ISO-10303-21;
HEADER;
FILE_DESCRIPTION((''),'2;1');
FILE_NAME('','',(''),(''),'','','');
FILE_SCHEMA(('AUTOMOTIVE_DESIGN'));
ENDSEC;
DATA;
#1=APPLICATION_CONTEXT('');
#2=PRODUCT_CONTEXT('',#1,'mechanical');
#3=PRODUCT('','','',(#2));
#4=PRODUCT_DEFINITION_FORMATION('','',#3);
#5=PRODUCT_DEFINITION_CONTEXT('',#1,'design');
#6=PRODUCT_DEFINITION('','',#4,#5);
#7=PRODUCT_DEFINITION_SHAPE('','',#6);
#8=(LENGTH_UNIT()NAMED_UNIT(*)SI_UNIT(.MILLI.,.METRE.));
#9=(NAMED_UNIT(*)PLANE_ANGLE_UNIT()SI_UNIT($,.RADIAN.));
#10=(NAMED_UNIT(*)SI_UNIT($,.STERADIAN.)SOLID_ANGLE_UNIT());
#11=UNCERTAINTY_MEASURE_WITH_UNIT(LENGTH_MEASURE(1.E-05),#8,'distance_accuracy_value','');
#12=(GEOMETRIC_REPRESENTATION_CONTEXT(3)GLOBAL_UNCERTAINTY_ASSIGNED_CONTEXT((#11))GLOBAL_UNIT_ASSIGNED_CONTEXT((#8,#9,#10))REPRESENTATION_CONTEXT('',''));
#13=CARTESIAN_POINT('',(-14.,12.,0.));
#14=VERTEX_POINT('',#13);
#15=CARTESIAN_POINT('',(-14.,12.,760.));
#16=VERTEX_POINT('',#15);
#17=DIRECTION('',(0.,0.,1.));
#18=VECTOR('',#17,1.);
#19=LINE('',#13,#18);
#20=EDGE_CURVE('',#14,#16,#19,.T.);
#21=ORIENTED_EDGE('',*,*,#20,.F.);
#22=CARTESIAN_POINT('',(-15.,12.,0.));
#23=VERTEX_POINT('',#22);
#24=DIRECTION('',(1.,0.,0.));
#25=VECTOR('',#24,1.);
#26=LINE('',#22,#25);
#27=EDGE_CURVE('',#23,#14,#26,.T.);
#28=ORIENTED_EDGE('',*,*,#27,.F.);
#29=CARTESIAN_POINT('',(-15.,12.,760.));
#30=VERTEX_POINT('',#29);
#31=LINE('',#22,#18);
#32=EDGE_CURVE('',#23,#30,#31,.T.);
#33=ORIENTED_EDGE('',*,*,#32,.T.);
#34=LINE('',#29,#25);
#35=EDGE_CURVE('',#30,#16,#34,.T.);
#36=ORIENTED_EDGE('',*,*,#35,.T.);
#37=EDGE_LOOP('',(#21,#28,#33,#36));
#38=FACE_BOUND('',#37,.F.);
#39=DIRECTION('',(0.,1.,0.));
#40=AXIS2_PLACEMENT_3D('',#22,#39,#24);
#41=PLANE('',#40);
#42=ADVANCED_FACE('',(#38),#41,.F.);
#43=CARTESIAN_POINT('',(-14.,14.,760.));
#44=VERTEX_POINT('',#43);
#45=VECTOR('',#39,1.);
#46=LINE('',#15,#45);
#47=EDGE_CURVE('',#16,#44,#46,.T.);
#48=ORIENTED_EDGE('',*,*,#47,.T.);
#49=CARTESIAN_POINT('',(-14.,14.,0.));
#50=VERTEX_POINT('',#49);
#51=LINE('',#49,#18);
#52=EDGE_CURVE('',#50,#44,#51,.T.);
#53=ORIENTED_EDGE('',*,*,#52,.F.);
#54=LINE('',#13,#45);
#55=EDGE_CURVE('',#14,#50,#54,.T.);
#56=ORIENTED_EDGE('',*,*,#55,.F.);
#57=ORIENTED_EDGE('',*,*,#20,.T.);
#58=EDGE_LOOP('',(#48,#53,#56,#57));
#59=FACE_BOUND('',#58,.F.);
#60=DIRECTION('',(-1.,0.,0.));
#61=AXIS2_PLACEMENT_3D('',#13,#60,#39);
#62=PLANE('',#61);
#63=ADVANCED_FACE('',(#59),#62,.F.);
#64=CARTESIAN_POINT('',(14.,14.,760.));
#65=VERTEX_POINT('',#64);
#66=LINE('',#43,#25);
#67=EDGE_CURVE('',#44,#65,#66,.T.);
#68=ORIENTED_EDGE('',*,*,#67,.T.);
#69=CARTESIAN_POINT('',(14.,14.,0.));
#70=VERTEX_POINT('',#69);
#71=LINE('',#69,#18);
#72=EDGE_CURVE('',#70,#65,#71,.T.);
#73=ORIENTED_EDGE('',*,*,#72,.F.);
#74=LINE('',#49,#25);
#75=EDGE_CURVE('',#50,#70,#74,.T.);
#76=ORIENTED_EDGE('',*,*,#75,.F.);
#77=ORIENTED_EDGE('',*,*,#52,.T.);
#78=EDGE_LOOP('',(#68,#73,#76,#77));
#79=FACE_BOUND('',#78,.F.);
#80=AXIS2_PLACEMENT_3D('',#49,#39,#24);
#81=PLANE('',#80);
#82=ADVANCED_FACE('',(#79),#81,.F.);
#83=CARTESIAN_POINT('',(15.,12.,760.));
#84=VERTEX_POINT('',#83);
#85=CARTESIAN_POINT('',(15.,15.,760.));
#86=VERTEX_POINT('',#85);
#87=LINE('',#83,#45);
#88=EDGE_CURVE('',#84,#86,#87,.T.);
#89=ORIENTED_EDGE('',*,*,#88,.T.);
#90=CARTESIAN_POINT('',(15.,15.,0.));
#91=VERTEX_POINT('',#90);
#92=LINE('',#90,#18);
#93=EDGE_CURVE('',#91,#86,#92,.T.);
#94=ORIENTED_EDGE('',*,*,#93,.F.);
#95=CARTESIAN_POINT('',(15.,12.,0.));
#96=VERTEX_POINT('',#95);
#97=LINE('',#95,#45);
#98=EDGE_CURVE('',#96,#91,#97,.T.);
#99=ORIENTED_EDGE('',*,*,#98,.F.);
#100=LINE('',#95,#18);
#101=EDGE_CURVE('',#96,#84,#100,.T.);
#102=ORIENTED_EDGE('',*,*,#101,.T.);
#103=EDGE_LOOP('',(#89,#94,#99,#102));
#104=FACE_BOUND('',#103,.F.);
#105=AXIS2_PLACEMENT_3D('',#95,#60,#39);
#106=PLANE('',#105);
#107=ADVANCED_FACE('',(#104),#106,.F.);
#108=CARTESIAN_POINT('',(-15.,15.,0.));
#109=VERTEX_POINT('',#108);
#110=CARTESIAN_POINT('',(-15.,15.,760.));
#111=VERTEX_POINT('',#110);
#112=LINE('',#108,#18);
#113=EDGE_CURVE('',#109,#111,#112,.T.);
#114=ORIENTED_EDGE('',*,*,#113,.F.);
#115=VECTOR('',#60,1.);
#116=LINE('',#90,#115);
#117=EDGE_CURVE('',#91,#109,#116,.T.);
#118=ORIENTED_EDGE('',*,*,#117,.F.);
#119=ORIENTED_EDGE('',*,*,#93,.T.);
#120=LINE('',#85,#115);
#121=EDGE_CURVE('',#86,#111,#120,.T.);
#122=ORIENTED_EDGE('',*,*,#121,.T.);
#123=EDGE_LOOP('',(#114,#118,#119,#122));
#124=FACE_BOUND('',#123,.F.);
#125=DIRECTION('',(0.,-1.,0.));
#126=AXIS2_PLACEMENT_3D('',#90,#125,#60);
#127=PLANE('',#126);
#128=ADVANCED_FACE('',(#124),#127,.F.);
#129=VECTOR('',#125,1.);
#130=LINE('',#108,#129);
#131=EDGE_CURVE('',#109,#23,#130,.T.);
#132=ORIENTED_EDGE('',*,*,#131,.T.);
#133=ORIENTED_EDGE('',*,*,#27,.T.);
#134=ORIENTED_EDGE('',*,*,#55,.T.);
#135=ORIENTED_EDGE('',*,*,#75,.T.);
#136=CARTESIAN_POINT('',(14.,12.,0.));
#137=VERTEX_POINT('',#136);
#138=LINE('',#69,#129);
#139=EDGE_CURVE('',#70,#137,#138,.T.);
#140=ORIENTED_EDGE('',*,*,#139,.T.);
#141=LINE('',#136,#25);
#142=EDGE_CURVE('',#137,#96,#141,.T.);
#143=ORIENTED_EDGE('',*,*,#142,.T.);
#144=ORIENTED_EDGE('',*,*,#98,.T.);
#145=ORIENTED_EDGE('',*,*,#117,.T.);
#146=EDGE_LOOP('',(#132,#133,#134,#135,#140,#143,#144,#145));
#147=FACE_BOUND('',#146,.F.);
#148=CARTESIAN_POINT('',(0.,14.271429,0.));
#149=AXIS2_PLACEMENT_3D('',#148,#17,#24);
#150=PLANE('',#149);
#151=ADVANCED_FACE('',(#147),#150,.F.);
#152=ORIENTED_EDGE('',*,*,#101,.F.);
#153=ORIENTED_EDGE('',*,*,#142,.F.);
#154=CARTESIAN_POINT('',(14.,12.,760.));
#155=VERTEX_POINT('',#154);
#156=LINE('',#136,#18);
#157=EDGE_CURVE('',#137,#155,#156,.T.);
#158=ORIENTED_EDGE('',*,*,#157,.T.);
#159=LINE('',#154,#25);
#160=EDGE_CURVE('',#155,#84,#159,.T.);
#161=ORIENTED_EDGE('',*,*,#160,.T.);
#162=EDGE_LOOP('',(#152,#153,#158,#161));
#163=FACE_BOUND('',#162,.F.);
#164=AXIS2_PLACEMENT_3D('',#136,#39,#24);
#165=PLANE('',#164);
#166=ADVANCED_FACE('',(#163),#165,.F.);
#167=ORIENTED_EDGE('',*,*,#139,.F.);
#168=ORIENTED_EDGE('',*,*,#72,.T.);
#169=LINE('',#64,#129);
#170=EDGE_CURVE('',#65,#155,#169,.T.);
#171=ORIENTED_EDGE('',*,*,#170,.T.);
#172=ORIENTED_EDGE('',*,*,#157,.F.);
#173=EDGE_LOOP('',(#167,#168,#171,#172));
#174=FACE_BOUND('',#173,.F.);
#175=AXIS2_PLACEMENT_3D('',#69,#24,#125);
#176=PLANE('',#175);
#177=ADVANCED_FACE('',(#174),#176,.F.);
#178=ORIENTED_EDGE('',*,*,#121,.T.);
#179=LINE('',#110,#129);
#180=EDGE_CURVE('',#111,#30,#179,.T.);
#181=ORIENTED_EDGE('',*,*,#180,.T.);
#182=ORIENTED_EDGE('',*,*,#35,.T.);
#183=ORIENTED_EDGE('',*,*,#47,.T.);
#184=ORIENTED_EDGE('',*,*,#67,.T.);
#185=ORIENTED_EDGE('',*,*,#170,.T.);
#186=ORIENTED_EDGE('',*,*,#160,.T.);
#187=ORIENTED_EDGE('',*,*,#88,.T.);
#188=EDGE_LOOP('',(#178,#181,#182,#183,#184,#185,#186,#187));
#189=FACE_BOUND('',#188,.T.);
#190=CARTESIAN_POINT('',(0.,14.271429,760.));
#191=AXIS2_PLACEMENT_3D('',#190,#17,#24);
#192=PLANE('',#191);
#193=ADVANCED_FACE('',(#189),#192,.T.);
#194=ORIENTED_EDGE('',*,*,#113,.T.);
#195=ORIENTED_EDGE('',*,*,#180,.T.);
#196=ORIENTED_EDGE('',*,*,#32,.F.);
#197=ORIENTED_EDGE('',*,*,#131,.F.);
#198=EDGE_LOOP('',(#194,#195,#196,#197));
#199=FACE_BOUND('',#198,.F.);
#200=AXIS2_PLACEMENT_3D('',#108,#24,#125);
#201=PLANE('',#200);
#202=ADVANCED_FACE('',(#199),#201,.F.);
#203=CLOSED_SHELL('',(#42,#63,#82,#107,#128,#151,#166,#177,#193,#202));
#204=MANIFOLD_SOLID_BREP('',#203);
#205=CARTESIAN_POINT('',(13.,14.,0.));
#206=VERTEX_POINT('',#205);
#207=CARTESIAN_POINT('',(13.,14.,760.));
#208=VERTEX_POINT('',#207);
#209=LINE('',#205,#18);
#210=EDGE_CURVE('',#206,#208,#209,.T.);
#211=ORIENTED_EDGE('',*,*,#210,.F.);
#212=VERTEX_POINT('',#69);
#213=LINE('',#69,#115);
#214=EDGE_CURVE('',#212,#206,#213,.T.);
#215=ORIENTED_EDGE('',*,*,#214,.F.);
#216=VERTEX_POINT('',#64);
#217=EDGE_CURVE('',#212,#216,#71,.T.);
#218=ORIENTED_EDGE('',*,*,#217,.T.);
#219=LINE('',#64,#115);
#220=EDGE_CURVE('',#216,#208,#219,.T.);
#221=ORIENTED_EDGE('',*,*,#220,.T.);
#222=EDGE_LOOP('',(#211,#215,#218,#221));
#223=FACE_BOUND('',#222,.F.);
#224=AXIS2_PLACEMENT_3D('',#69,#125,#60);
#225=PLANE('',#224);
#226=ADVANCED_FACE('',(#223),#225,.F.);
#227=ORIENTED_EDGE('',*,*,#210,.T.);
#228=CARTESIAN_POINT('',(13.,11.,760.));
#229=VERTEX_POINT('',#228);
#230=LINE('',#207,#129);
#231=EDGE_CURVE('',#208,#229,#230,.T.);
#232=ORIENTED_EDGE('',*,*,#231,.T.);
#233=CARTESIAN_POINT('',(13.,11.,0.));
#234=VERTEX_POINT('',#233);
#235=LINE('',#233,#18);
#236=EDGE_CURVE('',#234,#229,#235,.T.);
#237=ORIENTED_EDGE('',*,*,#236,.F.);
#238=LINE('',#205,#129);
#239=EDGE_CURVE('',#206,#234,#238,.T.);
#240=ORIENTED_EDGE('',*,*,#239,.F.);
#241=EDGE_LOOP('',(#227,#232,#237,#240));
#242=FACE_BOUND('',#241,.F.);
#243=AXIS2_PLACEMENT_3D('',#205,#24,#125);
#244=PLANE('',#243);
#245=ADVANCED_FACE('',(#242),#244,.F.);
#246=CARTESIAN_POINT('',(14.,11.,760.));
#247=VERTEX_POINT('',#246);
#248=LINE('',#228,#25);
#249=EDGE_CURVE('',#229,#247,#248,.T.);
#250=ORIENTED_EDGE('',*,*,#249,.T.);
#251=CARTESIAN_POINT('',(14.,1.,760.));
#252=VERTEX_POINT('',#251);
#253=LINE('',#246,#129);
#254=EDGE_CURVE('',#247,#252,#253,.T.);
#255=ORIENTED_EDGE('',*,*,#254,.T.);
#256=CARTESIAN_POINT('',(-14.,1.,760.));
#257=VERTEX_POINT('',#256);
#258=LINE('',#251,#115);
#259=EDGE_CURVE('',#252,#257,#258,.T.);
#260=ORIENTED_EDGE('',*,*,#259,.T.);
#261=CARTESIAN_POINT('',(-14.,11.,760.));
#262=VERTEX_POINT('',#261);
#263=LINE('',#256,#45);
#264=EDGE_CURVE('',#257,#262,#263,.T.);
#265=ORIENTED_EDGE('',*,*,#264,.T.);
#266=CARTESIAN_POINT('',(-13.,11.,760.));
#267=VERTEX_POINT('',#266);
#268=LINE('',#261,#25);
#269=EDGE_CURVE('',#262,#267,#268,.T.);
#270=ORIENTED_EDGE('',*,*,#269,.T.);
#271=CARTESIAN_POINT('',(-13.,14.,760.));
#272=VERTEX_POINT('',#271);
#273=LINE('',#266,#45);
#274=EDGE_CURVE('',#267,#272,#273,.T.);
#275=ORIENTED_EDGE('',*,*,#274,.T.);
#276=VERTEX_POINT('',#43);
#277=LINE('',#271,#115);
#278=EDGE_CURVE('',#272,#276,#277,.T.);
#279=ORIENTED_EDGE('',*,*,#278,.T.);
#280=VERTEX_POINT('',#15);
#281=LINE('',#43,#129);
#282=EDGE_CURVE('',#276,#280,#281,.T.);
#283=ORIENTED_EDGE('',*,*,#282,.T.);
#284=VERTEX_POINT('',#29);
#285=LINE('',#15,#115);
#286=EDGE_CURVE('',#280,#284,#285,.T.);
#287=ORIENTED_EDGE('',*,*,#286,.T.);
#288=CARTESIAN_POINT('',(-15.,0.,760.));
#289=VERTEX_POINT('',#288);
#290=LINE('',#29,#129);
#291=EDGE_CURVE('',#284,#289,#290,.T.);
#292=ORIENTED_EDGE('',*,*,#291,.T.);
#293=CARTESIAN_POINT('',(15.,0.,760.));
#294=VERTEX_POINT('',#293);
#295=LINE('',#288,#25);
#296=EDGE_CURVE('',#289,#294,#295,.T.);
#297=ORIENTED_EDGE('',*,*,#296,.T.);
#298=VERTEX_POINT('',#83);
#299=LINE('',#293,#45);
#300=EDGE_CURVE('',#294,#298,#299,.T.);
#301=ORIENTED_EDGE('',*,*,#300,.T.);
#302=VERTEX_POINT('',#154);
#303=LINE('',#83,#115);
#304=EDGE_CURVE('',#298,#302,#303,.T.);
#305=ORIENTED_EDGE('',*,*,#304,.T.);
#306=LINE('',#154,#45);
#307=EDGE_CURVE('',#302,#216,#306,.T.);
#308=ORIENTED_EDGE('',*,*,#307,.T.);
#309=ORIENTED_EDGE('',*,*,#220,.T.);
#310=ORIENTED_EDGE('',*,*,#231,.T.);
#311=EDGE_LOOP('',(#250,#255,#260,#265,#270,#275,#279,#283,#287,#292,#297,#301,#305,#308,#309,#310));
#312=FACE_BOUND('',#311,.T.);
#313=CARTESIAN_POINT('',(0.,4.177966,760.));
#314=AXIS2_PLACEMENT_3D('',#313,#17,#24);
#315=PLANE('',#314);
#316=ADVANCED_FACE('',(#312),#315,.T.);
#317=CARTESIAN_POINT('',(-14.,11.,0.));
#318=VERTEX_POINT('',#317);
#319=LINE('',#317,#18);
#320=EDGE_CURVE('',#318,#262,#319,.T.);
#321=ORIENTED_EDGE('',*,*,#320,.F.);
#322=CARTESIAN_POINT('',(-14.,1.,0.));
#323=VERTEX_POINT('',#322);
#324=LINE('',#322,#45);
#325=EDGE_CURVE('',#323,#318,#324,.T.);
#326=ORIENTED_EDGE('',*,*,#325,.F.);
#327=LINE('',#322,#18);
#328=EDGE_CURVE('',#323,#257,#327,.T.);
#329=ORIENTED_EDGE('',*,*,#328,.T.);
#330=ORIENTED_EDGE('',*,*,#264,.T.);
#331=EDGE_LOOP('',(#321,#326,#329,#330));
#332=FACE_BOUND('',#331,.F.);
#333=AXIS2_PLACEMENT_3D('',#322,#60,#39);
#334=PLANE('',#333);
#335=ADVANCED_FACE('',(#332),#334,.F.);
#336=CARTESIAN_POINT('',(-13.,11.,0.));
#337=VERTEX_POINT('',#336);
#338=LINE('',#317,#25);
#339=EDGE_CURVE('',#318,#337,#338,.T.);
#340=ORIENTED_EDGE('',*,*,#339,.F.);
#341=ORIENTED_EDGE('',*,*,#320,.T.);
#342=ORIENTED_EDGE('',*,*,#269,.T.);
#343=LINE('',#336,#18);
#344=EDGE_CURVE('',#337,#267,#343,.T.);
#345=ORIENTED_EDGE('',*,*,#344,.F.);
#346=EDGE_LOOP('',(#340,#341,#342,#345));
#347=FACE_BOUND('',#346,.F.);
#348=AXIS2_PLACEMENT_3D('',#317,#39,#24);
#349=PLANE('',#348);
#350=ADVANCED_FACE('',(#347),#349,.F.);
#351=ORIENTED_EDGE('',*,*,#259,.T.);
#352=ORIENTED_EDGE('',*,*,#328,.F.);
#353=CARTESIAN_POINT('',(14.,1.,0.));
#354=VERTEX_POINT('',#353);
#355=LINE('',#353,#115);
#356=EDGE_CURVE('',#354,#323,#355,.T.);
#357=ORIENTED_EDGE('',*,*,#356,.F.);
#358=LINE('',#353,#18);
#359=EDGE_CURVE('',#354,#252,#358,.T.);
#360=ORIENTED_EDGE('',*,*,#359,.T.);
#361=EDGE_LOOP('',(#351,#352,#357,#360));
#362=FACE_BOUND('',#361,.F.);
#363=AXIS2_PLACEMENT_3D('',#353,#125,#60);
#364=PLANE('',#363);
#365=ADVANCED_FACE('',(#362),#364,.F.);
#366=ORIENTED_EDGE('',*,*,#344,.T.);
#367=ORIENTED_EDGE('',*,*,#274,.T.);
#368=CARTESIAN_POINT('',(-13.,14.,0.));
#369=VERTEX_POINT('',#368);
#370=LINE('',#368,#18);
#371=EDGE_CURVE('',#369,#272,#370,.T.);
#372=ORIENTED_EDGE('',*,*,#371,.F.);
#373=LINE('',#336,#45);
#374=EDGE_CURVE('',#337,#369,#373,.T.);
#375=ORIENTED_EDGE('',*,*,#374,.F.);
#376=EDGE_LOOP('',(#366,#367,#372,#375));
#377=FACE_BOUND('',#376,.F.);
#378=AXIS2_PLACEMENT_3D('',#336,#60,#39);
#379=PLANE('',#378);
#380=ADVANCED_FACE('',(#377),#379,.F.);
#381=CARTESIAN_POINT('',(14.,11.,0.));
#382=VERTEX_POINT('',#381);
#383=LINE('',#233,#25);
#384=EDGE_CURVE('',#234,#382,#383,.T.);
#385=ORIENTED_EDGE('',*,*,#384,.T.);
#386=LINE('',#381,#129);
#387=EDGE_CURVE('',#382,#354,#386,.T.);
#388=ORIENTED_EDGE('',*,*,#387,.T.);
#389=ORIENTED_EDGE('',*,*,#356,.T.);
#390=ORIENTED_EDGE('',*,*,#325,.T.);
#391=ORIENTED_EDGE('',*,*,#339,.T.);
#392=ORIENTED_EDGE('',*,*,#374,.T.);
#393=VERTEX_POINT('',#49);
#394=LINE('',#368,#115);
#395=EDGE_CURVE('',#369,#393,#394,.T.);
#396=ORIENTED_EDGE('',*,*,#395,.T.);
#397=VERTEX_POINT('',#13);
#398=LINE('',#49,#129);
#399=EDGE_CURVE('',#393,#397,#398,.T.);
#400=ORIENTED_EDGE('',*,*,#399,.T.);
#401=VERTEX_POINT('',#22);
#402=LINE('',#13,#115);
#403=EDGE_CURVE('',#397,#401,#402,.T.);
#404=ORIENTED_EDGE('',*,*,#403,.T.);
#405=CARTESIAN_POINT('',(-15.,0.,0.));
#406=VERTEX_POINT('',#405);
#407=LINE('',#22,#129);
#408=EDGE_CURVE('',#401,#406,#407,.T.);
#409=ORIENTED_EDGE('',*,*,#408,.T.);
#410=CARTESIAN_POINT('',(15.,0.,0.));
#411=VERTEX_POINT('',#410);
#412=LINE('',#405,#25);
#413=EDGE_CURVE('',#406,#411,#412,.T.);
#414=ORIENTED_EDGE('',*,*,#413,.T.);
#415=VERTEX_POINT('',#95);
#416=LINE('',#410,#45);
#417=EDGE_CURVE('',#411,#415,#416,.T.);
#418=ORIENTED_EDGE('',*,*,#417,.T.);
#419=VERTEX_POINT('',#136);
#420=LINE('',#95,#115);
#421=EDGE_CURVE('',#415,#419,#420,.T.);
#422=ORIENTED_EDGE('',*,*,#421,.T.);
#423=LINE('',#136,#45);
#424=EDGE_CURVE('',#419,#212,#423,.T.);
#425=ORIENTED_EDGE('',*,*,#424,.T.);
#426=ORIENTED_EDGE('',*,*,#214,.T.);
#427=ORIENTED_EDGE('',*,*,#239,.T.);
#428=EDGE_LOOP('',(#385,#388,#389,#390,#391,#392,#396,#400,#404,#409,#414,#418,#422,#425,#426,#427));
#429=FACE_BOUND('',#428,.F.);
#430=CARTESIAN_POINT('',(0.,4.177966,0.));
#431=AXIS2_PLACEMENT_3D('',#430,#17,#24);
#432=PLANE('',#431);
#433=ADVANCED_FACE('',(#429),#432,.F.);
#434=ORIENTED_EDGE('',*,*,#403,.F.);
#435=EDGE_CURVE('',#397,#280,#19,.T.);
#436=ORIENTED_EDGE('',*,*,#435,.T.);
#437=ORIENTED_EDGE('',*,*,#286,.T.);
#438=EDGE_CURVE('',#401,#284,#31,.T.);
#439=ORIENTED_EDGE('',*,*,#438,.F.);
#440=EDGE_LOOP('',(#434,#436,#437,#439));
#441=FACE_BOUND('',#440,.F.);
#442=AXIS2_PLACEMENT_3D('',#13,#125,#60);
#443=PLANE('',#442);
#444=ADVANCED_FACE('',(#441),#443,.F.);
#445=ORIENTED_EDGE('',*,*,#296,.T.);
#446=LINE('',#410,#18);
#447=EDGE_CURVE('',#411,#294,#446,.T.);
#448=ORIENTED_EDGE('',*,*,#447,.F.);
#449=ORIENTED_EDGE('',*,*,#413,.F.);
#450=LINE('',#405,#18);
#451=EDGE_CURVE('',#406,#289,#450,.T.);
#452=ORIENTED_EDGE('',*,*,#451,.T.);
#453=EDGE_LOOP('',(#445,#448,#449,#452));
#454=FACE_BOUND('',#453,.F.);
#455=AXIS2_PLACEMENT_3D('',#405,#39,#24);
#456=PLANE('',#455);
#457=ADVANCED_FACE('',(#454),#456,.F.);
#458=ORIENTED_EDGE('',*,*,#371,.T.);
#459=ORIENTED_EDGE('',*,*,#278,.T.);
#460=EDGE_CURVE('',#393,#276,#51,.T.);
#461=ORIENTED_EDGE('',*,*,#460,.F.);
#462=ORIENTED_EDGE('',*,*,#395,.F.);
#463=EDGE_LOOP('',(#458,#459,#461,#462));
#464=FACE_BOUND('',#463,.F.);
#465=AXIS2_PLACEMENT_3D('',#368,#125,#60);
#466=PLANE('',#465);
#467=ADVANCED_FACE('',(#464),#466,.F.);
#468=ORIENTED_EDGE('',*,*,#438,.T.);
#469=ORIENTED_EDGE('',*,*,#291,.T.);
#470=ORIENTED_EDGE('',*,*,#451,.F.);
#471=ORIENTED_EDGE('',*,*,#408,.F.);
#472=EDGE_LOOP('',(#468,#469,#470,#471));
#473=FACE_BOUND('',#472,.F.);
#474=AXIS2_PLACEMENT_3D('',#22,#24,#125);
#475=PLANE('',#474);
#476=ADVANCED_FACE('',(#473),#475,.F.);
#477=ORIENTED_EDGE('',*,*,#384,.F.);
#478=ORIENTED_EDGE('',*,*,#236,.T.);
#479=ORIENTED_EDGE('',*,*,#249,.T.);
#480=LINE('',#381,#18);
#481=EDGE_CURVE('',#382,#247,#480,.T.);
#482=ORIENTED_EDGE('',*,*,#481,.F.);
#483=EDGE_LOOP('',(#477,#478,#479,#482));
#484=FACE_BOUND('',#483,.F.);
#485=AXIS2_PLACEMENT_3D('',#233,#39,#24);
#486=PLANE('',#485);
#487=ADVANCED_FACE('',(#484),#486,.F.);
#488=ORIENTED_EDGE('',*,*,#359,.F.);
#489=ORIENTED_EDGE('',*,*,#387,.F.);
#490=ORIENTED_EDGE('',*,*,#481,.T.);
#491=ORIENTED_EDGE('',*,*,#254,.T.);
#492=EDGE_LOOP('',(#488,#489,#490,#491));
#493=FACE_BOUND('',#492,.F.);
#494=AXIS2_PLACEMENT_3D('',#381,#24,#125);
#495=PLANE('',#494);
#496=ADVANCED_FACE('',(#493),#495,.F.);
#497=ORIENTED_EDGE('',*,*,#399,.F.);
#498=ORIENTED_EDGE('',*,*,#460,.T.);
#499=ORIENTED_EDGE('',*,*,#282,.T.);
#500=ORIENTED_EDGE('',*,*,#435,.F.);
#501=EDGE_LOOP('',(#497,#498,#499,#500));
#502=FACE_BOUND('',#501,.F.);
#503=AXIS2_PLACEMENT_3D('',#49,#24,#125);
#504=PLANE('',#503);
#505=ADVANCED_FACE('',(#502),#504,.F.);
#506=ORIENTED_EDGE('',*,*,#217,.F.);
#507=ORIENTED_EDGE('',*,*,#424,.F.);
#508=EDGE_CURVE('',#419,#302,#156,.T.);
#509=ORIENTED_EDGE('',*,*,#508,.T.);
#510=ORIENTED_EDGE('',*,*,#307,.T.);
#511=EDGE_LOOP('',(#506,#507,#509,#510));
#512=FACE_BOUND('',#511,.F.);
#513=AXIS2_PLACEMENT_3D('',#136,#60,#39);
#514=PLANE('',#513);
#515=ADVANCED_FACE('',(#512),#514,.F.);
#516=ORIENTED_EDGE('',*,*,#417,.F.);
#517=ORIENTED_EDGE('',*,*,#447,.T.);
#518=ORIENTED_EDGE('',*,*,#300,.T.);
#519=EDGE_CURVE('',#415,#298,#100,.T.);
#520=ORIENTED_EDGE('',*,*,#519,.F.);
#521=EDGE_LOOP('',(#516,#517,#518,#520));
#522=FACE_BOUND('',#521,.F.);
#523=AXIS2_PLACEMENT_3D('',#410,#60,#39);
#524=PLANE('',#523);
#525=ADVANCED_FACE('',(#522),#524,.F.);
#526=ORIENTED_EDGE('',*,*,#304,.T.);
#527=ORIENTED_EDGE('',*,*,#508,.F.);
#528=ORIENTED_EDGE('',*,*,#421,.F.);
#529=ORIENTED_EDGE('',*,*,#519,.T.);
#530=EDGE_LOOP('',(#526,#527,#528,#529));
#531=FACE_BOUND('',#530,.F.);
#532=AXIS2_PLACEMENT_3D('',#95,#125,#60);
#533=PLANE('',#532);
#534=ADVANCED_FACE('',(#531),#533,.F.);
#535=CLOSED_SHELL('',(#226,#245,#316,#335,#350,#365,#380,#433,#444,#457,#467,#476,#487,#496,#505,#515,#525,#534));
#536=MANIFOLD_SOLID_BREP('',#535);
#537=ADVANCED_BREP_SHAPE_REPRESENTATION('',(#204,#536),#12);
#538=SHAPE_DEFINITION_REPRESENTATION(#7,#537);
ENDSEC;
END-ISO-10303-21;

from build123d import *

# Parameters (mm, degrees)
F1_DEPTH = 760
F2_DEPTH = 760


with BuildPart() as f1:
    # F0 (on Top) → F1 (new body)
    with BuildSketch(Plane.XY):
        Polygon((-14, 12), (-15, 12), (-15, 0), (15, 0), (15, 12), (14, 12), (14, 14), (13, 14), (13, 11), (14, 11), (14, 1), (-14, 1), (-14, 11), (-13, 11), (-13, 14), (-14, 14), align=None)
    extrude(amount=F1_DEPTH)


with BuildPart() as f2:
    # F0 (on Top) → F2 (new body)
    with BuildSketch(Plane.XY):
        Polygon((15, 15), (-15, 15), (-15, 12), (-14, 12), (-14, 14), (-13, 14), (13, 14), (14, 14), (14, 12), (15, 12), align=None)
    extrude(amount=F2_DEPTH)


solid = Compound([f1.part, f2.part])
